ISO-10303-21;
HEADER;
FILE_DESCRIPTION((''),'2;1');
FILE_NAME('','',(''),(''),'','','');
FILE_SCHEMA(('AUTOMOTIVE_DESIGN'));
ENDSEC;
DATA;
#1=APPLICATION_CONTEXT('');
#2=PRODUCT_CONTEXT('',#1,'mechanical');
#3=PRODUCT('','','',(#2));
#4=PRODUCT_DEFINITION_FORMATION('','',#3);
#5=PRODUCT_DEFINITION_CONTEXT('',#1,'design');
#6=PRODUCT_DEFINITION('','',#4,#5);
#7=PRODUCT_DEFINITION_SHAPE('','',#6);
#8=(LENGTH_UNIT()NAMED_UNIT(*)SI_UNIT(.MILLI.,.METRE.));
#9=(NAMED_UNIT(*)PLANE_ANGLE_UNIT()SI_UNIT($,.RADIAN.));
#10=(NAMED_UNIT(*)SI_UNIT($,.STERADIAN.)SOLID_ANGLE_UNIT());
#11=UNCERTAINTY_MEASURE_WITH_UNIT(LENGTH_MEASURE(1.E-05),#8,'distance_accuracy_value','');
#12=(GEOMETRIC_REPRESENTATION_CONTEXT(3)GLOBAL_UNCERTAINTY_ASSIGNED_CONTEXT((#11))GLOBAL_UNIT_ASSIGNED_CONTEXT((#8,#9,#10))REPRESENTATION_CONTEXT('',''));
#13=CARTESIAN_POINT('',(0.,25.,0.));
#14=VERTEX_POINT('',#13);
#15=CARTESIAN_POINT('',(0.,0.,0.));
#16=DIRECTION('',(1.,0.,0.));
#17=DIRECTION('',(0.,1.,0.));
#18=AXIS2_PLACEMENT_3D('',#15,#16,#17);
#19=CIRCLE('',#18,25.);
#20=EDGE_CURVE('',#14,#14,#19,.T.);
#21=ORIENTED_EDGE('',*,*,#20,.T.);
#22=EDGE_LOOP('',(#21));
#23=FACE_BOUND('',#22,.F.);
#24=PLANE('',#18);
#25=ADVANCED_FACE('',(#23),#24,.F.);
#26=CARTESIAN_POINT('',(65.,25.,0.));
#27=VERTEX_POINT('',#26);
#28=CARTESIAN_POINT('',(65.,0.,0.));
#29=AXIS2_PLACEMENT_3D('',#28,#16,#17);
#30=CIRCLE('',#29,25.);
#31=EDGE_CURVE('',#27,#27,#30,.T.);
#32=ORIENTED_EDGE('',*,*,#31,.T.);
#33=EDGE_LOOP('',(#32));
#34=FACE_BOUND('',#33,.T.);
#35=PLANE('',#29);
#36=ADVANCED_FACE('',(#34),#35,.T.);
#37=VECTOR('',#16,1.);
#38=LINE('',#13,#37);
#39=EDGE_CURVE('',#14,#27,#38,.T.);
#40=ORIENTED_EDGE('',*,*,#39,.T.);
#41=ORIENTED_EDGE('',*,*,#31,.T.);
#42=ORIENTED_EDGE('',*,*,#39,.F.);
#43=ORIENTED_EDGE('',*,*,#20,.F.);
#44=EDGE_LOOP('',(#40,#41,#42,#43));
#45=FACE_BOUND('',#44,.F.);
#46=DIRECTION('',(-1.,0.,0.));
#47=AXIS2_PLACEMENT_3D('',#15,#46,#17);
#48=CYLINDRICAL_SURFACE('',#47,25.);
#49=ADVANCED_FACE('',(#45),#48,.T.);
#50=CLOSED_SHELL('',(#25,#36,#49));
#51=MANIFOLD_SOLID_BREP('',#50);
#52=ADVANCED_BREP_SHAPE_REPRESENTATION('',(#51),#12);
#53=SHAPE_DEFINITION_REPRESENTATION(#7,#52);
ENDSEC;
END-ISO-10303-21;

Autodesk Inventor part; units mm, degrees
ref_plane "YZ Plane" through (0, 0, 0) normal (1, 0, 0) x (0, 1, 0)
ref_plane "XZ Plane" through (0, 0, 0) normal (0, 1, 0) x (-1, 0, 0)
ref_plane "XY Plane" through (0, 0, 0) normal (0, 0, 1) x (1, 0, 0)
sketch "Sketch1" plane through (0, 0, 0) normal (1, 0, 0) x (0, 1, 0)
  circle A0 centre (0, 0) radius 25
  dimension "d0" = 50
extrude "Extrusion1" add sketch "Sketch1" along normal blind 65
properties part number "wheel"
